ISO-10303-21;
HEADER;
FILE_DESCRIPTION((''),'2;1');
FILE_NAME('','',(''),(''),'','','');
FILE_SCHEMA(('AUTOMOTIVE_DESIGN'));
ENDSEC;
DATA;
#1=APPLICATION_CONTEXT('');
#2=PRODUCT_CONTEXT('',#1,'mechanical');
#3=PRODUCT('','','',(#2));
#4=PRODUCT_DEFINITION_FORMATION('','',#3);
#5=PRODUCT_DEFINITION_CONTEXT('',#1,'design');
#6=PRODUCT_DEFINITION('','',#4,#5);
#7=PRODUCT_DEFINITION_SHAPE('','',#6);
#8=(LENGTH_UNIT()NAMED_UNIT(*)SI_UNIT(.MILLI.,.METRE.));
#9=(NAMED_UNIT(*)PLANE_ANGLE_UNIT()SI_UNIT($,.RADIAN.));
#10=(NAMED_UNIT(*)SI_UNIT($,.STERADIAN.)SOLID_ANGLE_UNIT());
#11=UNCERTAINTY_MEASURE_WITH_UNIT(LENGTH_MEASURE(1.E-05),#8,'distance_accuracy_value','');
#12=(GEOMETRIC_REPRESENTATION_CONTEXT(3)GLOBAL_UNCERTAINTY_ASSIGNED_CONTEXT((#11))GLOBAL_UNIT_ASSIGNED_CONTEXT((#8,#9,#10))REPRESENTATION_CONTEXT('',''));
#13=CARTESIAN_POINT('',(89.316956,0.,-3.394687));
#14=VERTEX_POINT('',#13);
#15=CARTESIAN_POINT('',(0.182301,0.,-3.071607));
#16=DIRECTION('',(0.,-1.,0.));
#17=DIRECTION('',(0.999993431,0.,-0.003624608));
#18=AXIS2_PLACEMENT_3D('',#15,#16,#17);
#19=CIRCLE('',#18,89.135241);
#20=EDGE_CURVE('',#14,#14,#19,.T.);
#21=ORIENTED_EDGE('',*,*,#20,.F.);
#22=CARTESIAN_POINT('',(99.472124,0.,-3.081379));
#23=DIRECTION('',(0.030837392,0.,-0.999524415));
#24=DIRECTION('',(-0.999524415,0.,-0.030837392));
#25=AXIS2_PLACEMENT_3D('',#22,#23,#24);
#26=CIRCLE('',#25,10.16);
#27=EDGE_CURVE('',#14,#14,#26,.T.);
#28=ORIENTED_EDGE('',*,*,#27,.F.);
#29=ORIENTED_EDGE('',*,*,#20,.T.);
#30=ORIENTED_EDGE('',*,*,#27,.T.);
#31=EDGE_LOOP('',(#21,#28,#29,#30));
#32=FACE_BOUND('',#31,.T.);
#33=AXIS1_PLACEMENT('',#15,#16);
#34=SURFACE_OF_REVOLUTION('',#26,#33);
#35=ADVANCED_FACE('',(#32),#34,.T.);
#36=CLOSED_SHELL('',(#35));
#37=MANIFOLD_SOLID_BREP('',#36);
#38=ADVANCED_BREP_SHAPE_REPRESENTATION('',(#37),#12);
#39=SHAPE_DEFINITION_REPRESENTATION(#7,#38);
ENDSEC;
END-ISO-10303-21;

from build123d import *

# Parameters (mm, degrees)
F0_R = 10.16


with BuildPart() as f2:
    # F2: sweep along a path in F1
    with BuildLine(Plane.XZ) as f2_path:
        CenterArc((0.182301, -3.071607), 99.606574, 0, 360)
    # F0 (on Top) → F2 (sweep)
    with BuildSketch(Plane.XY):
        with Locations((-99.06, 0)):
            Circle(F0_R)
    sweep(path=f2_path.line)


solid = f2.part
